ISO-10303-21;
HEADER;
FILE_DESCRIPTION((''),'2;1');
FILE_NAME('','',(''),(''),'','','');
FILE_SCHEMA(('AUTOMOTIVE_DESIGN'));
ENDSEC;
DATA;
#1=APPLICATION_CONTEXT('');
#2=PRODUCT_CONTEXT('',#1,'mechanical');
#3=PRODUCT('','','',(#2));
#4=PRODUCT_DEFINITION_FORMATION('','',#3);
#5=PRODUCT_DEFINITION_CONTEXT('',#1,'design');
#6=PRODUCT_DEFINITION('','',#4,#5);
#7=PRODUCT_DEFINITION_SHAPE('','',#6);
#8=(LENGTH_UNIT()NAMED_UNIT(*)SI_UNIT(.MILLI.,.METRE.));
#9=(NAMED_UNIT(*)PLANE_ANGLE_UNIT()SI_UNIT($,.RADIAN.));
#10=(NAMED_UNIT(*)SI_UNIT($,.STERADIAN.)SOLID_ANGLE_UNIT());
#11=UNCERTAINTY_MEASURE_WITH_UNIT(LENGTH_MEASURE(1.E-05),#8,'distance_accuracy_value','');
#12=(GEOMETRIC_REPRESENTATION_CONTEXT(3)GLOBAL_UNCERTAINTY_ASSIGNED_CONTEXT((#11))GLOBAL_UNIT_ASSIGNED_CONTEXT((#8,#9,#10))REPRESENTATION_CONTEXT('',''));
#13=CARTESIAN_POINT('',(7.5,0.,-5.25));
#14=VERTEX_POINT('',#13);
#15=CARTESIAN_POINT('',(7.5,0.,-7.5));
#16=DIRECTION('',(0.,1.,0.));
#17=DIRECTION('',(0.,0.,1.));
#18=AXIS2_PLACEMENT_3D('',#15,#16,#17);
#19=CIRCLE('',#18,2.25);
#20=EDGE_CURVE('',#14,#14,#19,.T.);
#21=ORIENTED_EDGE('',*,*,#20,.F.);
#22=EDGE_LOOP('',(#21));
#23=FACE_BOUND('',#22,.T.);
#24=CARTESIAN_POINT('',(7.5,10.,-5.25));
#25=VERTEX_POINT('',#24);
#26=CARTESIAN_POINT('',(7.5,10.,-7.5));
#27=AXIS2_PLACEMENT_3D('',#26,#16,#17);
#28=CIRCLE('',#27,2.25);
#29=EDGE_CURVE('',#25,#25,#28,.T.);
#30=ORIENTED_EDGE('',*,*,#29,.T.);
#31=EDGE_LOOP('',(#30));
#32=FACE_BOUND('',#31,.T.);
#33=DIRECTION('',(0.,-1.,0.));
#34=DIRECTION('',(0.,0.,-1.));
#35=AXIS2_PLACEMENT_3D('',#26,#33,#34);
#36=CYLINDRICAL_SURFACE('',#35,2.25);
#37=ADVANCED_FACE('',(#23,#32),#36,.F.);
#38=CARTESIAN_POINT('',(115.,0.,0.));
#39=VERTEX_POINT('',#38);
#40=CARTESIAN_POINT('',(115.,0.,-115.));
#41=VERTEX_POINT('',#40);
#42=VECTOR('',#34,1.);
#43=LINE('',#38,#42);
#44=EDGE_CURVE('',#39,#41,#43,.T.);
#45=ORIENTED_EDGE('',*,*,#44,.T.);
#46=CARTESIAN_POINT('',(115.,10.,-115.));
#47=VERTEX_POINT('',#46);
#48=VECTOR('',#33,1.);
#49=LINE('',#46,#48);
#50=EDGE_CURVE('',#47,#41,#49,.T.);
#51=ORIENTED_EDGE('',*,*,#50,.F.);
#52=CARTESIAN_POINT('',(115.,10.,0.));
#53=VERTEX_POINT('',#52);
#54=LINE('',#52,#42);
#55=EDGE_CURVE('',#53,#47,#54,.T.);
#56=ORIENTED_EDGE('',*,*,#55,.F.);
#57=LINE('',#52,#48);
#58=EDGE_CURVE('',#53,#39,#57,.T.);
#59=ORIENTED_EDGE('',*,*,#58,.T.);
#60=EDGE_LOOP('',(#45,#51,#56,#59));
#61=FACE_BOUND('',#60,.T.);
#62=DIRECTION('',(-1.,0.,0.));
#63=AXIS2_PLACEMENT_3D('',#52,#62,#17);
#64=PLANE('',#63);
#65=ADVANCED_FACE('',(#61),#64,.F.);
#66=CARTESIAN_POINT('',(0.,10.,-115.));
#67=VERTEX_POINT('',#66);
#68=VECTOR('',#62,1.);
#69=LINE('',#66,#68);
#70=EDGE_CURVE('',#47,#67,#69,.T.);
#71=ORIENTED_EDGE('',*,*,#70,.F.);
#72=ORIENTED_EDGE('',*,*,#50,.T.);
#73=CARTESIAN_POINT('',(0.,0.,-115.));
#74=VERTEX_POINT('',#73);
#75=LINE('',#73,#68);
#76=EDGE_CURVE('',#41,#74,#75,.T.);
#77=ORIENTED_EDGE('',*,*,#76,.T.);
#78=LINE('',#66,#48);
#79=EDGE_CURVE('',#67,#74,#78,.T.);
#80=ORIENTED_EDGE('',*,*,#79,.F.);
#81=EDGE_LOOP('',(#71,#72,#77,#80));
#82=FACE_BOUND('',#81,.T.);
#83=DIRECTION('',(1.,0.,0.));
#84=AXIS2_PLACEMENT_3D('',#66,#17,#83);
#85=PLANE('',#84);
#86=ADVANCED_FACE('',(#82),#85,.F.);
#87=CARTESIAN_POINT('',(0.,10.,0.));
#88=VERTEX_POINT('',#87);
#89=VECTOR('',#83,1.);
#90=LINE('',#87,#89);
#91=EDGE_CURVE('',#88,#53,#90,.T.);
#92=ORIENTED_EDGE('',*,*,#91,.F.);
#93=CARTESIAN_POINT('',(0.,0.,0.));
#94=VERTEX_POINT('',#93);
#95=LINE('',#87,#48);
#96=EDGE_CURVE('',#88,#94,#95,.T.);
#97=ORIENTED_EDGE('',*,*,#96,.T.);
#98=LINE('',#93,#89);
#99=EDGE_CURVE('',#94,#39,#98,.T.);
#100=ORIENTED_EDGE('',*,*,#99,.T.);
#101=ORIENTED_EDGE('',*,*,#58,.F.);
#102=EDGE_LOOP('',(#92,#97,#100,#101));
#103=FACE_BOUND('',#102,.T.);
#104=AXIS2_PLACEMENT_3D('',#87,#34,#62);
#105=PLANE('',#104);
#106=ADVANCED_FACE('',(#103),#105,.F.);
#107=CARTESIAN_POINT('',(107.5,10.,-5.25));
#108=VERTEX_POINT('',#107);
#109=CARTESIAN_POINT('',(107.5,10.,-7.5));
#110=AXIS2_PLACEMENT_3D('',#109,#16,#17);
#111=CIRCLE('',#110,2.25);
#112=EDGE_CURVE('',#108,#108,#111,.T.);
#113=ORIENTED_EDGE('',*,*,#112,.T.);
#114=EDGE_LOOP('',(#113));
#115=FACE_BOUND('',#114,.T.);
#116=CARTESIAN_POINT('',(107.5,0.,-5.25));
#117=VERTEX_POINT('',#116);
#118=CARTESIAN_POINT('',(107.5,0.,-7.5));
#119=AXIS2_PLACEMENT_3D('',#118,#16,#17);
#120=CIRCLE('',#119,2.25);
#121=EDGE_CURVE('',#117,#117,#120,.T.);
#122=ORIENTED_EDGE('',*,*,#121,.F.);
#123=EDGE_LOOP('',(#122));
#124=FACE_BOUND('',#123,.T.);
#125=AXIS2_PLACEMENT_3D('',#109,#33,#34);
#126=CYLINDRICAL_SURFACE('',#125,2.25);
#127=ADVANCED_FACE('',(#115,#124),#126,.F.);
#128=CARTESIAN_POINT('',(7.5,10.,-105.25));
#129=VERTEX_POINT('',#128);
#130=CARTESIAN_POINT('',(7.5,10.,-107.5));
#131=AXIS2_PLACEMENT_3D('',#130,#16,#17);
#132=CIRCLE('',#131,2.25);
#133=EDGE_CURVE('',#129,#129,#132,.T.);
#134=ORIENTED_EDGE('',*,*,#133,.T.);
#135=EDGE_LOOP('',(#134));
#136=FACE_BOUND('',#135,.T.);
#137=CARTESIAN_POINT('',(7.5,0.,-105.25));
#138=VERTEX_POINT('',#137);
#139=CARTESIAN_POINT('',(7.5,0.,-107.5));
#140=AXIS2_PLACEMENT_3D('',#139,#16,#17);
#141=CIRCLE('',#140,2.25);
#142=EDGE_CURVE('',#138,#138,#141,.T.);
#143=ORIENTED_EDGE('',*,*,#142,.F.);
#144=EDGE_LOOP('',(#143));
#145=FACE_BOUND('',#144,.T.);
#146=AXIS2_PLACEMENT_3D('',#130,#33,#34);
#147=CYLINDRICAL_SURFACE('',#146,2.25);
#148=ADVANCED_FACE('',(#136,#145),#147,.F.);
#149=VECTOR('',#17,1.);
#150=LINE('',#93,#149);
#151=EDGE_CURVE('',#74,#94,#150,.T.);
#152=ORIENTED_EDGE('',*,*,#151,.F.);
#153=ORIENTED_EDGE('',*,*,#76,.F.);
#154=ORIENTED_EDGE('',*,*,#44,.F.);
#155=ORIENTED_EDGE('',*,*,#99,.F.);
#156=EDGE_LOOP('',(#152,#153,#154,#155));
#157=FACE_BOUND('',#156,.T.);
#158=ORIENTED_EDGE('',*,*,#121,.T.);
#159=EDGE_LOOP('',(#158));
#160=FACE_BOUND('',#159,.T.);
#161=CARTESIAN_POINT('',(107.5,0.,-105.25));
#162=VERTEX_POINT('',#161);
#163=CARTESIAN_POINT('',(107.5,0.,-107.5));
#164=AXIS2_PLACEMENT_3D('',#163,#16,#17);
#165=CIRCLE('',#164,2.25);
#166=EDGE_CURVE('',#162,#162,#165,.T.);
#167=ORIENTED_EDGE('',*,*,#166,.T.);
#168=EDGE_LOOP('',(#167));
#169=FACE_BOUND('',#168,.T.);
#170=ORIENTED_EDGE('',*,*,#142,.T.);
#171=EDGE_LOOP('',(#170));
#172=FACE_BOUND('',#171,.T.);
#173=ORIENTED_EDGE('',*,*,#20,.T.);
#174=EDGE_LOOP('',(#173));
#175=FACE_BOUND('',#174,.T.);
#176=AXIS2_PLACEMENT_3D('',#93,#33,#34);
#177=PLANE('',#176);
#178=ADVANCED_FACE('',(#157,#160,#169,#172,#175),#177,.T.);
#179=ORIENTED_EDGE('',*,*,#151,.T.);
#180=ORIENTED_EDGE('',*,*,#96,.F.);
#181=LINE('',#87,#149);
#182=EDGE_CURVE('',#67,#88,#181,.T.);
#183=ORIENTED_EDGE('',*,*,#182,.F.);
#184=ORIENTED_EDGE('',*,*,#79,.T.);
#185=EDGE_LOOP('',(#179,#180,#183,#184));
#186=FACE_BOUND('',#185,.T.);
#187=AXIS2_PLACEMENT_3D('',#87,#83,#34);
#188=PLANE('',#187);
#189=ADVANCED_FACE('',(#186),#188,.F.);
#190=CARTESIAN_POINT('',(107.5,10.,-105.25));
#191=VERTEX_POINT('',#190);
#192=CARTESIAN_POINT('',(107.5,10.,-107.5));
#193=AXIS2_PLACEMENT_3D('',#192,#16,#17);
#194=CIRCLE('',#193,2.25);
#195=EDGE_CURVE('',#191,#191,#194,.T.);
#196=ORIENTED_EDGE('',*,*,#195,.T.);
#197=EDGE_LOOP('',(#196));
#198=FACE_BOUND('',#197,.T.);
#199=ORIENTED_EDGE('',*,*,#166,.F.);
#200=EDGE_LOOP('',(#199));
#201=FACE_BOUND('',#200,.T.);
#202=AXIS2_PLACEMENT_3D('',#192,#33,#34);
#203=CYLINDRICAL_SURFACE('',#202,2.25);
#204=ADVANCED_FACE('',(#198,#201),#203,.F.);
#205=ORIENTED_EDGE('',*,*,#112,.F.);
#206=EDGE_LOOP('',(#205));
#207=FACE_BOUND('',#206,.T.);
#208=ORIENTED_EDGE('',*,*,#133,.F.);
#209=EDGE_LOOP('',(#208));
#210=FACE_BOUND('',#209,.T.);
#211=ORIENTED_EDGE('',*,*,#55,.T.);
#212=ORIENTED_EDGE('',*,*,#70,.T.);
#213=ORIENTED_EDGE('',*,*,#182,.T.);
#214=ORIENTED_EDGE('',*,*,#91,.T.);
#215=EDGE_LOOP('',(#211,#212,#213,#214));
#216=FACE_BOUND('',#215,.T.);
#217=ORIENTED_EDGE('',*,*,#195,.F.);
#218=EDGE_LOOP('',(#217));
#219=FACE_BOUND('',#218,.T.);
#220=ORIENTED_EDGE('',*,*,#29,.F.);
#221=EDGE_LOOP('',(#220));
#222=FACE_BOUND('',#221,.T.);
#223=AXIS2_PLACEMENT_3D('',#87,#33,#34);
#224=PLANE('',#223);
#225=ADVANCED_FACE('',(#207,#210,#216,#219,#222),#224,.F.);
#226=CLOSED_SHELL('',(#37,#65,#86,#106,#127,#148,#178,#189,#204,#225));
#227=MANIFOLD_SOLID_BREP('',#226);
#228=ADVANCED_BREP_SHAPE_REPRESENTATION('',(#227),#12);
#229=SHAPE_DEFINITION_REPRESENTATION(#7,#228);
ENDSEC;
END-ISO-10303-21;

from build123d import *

# Parameters (mm, degrees)
SKETCH2_W           = 115
SKETCH2_H           = 115
SKETCH2_R           = 2.25
BOSS_EXTRUDE1_DEPTH = 10


with BuildPart() as part:
    # Sketch2 → Boss-Extrude1 (new body)
    with BuildSketch(Plane(origin=(0, 0, 0), x_dir=(1, 0, 0), z_dir=(0, 1, 0))):
        with Locations((57.5, 57.5)):
            Rectangle(SKETCH2_W, SKETCH2_H)
        with Locations((7.5, 7.5)):
            Circle(SKETCH2_R, mode=Mode.SUBTRACT)
        with Locations((107.5, 7.5)):
            Circle(SKETCH2_R, mode=Mode.SUBTRACT)
        with Locations((107.5, 107.5)):
            Circle(SKETCH2_R, mode=Mode.SUBTRACT)
        with Locations((7.5, 107.5)):
            Circle(SKETCH2_R, mode=Mode.SUBTRACT)
    extrude(amount=BOSS_EXTRUDE1_DEPTH)


solid = part.part
